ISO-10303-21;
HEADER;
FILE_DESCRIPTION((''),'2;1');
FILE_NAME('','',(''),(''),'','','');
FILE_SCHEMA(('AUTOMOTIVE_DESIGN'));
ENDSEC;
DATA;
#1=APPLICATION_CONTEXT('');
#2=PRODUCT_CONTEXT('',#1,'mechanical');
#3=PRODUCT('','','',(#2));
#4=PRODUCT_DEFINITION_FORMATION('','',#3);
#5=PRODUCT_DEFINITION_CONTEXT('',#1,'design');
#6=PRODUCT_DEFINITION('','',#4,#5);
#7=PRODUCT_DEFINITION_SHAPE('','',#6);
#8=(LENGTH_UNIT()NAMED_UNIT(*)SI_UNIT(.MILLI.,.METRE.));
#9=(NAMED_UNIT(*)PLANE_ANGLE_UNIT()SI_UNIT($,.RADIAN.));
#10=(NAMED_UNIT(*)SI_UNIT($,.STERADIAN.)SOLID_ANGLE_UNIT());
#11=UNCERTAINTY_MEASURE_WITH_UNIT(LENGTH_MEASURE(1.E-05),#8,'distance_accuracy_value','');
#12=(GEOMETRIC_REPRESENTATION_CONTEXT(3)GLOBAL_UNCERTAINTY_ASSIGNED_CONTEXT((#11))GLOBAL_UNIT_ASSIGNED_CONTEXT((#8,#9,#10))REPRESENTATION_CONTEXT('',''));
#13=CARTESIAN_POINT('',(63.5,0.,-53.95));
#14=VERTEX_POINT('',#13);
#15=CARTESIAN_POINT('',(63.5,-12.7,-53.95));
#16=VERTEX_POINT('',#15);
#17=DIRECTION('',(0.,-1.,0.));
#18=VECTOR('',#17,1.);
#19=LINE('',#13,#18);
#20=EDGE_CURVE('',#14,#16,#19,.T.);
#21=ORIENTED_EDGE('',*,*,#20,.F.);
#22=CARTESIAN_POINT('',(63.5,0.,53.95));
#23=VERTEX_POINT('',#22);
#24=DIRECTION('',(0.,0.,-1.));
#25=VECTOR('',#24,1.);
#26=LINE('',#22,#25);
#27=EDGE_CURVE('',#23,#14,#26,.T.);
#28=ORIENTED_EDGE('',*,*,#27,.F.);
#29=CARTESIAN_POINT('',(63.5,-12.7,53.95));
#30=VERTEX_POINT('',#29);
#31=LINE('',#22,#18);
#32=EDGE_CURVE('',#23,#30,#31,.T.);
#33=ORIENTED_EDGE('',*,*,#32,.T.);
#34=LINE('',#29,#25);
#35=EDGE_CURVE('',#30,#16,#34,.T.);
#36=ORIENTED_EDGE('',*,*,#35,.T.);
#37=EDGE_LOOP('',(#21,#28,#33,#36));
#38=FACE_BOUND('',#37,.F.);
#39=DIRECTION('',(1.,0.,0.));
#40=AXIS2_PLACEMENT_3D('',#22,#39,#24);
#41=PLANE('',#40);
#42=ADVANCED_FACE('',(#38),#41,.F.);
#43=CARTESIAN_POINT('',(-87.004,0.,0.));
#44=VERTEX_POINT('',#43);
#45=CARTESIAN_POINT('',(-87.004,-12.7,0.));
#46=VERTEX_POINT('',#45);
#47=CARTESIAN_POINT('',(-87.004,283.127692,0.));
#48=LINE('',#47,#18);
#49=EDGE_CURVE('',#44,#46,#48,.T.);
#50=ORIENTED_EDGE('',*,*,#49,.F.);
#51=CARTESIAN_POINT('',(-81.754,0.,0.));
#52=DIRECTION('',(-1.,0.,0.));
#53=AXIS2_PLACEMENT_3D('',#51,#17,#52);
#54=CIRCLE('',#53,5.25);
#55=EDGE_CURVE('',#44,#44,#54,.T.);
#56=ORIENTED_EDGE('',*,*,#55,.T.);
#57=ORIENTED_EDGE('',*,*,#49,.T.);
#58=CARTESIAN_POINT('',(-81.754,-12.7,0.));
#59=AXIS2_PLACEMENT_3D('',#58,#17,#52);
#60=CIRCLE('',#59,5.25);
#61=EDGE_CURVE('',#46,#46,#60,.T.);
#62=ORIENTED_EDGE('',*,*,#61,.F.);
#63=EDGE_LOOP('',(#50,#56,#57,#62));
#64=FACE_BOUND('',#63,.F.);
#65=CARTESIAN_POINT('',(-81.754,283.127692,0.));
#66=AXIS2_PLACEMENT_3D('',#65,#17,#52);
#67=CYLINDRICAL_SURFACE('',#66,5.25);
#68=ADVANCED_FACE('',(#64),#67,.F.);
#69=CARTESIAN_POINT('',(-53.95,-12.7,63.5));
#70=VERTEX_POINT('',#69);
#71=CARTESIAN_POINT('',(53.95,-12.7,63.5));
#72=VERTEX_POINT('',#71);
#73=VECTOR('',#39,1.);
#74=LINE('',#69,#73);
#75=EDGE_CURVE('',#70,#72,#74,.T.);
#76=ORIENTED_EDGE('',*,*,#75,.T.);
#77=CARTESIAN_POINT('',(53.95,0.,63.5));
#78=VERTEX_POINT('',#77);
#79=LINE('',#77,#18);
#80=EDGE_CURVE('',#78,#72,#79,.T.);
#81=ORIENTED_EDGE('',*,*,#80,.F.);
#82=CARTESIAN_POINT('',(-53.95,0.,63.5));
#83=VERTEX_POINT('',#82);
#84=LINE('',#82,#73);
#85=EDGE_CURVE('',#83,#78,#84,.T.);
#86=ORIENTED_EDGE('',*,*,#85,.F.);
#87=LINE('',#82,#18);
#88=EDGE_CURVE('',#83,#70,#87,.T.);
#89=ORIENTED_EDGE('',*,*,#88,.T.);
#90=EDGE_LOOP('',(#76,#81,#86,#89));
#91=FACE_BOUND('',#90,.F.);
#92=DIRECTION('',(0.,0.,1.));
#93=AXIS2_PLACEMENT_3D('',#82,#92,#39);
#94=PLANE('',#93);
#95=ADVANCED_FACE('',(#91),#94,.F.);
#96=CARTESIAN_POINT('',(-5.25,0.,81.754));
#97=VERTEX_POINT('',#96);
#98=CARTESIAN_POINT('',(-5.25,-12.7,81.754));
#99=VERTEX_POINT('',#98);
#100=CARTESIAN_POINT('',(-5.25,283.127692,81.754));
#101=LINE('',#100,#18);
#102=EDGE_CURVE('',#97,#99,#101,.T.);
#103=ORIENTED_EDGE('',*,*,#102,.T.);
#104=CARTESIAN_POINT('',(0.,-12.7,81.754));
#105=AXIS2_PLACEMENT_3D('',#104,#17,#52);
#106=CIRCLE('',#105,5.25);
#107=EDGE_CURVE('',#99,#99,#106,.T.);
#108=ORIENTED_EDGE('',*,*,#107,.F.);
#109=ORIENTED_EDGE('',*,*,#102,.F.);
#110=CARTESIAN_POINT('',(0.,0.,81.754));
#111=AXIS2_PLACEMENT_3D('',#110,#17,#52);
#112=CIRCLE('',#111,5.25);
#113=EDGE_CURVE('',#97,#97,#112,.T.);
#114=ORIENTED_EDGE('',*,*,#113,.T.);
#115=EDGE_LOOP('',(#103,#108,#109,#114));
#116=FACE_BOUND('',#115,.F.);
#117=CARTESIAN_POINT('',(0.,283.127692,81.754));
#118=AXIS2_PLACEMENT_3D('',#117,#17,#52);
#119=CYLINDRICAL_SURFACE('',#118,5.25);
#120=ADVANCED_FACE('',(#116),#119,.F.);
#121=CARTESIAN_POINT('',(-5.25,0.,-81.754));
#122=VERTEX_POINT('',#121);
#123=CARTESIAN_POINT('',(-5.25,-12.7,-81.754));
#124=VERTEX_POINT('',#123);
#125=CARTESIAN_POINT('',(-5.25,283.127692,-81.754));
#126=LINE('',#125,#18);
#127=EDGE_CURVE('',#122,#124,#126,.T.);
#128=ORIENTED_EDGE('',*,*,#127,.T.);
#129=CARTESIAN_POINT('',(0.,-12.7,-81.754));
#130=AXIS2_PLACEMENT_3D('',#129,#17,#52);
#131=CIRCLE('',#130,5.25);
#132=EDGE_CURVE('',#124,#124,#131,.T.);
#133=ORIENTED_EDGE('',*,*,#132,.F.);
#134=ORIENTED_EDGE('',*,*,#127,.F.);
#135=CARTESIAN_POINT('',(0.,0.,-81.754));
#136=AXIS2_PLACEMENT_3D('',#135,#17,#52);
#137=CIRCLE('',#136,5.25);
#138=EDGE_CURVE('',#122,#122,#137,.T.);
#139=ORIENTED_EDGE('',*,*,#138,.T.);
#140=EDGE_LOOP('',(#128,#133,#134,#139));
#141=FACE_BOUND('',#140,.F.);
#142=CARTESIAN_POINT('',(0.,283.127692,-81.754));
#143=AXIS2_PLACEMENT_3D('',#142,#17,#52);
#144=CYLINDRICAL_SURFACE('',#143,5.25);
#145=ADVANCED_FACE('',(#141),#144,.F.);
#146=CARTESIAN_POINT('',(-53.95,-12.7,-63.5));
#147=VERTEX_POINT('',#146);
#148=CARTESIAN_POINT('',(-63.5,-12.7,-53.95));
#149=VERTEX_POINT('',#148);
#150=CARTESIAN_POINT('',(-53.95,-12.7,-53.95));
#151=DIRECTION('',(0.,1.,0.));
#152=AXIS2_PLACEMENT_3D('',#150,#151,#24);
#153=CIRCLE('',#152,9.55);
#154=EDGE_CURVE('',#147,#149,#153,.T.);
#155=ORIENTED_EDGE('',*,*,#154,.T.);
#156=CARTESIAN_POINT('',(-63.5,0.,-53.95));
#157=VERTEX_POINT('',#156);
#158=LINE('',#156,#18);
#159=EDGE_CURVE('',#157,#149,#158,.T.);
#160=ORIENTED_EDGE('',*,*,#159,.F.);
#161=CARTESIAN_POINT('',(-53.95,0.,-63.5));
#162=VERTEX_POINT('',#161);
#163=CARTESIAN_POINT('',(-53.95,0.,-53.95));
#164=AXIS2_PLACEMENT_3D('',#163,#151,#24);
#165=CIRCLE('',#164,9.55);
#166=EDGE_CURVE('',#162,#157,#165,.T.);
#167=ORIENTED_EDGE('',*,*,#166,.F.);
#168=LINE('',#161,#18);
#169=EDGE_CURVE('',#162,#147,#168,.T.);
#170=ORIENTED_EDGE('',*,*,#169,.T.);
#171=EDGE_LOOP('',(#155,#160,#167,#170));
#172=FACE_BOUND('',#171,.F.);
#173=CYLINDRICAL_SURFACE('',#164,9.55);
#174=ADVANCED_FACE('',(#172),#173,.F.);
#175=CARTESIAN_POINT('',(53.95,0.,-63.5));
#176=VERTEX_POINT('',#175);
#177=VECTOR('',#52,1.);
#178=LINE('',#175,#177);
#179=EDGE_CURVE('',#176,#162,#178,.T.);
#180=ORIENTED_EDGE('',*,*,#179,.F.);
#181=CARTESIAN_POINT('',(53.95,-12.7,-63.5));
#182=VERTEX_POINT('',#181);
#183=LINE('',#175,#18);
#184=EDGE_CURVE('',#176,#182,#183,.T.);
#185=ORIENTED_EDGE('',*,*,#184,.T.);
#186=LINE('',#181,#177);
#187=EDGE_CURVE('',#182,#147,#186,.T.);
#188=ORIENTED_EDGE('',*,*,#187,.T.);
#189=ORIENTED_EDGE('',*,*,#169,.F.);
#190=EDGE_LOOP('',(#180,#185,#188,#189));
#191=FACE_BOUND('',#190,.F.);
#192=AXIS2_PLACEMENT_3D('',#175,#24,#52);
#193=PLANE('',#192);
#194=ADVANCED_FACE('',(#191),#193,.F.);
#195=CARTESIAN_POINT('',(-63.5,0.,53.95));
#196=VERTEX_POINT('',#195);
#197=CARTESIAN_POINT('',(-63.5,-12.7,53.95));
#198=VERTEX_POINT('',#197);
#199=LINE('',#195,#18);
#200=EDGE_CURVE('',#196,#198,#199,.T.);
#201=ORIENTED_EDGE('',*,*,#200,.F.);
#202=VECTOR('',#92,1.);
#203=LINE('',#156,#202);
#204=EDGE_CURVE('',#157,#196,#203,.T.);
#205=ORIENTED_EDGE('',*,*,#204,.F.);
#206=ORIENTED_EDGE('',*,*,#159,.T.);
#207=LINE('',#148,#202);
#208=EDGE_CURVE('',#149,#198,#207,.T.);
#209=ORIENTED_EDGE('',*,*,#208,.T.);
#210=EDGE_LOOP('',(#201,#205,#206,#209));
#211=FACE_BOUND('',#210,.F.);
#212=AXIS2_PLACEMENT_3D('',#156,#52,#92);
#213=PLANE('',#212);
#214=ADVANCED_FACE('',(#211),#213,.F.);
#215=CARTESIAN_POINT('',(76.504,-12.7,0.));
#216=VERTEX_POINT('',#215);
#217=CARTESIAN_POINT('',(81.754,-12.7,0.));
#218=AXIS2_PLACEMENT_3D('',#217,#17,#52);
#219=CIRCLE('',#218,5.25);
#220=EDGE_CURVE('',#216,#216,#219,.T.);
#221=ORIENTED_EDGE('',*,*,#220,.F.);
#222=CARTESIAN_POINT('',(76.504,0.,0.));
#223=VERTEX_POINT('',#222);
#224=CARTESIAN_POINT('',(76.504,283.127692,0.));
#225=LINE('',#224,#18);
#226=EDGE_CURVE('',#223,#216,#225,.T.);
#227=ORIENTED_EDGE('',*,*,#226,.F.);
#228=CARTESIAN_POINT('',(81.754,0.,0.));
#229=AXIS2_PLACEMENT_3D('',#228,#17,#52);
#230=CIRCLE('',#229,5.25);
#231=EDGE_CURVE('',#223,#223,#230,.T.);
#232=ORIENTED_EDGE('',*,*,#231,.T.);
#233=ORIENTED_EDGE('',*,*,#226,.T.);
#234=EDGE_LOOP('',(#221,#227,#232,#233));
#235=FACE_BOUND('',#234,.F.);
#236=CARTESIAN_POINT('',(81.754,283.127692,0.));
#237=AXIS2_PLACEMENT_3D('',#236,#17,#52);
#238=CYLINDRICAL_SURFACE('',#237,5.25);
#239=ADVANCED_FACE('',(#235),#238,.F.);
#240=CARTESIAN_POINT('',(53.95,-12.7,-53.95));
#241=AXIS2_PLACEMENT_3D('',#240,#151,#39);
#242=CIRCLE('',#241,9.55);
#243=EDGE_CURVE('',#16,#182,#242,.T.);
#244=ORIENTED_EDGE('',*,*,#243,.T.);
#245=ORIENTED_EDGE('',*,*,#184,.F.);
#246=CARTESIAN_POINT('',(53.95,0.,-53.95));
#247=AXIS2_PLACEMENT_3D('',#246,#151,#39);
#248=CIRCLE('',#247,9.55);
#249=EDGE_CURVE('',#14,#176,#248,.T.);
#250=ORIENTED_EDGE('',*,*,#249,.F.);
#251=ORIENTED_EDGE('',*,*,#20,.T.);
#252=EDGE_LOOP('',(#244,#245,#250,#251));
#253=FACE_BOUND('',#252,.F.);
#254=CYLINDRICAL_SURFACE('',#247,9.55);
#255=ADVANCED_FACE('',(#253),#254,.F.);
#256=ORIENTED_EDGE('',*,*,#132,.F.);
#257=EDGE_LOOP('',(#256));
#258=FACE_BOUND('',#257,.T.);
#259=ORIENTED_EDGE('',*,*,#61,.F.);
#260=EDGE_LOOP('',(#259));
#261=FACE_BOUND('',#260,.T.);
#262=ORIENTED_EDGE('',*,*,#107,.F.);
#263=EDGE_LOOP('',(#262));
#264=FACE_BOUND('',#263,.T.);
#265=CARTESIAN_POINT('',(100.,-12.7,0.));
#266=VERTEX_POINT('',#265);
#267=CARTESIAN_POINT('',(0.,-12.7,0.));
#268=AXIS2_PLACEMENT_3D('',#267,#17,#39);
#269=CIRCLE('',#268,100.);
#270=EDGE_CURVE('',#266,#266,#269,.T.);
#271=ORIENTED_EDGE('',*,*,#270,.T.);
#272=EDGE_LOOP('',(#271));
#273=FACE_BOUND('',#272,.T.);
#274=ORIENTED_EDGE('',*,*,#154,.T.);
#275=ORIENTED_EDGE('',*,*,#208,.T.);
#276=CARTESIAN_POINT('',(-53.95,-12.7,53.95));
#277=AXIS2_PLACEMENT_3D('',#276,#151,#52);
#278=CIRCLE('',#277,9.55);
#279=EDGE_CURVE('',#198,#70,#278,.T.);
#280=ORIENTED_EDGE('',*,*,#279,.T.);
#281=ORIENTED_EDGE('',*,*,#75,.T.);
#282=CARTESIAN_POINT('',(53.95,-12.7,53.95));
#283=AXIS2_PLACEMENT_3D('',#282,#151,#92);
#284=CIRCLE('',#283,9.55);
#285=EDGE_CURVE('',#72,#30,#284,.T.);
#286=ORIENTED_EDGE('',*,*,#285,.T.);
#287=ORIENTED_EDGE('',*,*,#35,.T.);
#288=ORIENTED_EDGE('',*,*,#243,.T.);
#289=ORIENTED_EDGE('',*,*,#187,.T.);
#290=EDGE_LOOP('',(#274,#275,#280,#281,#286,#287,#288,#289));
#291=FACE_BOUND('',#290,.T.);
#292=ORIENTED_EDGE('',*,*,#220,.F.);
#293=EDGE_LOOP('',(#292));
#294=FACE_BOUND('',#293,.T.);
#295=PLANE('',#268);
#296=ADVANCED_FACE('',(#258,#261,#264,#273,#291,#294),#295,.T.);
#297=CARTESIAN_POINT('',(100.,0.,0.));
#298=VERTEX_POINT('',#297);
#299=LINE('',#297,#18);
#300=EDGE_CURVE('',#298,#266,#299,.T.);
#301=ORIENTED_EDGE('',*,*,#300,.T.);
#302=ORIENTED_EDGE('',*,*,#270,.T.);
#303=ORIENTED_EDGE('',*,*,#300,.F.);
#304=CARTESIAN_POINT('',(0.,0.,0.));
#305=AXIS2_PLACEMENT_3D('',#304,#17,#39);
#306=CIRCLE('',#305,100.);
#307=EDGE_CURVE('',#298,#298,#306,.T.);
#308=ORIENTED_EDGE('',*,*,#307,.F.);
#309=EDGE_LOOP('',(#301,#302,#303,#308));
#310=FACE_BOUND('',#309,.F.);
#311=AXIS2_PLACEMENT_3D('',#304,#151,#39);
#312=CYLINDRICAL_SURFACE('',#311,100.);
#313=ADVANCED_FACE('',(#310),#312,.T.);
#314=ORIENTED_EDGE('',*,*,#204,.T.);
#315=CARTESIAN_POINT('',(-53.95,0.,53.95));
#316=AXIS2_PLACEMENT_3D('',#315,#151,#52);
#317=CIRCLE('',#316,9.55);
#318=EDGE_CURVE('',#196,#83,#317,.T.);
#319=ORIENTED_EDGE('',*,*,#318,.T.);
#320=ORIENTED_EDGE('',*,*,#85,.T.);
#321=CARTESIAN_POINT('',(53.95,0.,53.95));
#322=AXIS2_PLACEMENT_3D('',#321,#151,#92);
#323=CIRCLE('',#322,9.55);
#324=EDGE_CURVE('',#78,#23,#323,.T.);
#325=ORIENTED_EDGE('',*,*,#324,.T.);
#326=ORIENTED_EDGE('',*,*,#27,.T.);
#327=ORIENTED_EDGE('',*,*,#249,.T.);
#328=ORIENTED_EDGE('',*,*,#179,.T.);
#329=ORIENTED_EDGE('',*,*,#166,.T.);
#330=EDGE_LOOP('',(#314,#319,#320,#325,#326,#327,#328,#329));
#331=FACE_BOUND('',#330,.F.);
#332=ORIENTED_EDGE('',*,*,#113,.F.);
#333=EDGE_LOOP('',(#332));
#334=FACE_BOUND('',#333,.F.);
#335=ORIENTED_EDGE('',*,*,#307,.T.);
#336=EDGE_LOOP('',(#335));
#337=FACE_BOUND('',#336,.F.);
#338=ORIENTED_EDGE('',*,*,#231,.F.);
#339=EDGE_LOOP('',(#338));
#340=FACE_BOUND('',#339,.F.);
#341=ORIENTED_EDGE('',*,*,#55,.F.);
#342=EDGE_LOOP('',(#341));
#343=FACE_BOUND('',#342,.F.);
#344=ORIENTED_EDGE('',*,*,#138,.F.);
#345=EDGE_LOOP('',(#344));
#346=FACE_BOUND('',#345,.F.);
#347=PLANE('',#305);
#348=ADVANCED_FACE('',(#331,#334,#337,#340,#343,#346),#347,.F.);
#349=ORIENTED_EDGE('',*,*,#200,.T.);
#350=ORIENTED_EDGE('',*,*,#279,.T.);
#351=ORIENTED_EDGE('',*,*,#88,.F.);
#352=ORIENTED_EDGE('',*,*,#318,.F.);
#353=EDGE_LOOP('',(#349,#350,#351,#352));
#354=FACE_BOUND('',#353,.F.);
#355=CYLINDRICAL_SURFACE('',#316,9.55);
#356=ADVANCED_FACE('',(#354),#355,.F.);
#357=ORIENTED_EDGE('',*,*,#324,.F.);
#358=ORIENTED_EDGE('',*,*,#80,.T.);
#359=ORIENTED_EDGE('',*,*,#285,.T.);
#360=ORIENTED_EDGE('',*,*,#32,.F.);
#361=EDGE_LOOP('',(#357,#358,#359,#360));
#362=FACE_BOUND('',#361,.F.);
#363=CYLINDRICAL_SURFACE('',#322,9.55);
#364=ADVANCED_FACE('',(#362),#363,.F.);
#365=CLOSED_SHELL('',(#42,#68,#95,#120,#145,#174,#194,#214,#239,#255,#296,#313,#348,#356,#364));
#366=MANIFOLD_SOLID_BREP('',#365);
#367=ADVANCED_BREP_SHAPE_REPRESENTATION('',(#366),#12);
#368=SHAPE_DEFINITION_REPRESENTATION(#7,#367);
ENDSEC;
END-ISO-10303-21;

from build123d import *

# Parameters (mm, degrees)
F0_R     = 100
F1_DEPTH = 12.7
F2_D     = 10.5


with BuildPart() as f1:
    # F0 (on Front) → F1 (new body)
    with BuildSketch(Plane.XZ):
        Circle(F0_R)
        with BuildLine():
            ThreePointArc((63.5, -53.95), (60.7028697603, -60.7028697603), (53.95, -63.5))
            Line((53.95, -63.5), (-53.95, -63.5))
            ThreePointArc((-53.95, -63.5), (-60.7028697603, -60.7028697603), (-63.5, -53.95))
            Line((-63.5, -53.95), (-63.5, 53.95))
            ThreePointArc((-63.5, 53.95), (-60.7028697603, 60.7028697603), (-53.95, 63.5))
            Line((-53.95, 63.5), (53.95, 63.5))
            ThreePointArc((53.95, 63.5), (60.7028697603, 60.7028697603), (63.5, 53.95))
            Line((63.5, 53.95), (63.5, -53.95))
        make_face(mode=Mode.SUBTRACT)
    extrude(amount=F1_DEPTH)

    # F2 (through all)
    with Locations(Plane(origin=(0, 0, 0), x_dir=(1, 0, 0), z_dir=(0, 1, 0))):
        with Locations((0, -81.754), (81.754, 0), (0, 81.754), (-81.754, 0)):
            Hole(F2_D / 2)


solid = f1.part
